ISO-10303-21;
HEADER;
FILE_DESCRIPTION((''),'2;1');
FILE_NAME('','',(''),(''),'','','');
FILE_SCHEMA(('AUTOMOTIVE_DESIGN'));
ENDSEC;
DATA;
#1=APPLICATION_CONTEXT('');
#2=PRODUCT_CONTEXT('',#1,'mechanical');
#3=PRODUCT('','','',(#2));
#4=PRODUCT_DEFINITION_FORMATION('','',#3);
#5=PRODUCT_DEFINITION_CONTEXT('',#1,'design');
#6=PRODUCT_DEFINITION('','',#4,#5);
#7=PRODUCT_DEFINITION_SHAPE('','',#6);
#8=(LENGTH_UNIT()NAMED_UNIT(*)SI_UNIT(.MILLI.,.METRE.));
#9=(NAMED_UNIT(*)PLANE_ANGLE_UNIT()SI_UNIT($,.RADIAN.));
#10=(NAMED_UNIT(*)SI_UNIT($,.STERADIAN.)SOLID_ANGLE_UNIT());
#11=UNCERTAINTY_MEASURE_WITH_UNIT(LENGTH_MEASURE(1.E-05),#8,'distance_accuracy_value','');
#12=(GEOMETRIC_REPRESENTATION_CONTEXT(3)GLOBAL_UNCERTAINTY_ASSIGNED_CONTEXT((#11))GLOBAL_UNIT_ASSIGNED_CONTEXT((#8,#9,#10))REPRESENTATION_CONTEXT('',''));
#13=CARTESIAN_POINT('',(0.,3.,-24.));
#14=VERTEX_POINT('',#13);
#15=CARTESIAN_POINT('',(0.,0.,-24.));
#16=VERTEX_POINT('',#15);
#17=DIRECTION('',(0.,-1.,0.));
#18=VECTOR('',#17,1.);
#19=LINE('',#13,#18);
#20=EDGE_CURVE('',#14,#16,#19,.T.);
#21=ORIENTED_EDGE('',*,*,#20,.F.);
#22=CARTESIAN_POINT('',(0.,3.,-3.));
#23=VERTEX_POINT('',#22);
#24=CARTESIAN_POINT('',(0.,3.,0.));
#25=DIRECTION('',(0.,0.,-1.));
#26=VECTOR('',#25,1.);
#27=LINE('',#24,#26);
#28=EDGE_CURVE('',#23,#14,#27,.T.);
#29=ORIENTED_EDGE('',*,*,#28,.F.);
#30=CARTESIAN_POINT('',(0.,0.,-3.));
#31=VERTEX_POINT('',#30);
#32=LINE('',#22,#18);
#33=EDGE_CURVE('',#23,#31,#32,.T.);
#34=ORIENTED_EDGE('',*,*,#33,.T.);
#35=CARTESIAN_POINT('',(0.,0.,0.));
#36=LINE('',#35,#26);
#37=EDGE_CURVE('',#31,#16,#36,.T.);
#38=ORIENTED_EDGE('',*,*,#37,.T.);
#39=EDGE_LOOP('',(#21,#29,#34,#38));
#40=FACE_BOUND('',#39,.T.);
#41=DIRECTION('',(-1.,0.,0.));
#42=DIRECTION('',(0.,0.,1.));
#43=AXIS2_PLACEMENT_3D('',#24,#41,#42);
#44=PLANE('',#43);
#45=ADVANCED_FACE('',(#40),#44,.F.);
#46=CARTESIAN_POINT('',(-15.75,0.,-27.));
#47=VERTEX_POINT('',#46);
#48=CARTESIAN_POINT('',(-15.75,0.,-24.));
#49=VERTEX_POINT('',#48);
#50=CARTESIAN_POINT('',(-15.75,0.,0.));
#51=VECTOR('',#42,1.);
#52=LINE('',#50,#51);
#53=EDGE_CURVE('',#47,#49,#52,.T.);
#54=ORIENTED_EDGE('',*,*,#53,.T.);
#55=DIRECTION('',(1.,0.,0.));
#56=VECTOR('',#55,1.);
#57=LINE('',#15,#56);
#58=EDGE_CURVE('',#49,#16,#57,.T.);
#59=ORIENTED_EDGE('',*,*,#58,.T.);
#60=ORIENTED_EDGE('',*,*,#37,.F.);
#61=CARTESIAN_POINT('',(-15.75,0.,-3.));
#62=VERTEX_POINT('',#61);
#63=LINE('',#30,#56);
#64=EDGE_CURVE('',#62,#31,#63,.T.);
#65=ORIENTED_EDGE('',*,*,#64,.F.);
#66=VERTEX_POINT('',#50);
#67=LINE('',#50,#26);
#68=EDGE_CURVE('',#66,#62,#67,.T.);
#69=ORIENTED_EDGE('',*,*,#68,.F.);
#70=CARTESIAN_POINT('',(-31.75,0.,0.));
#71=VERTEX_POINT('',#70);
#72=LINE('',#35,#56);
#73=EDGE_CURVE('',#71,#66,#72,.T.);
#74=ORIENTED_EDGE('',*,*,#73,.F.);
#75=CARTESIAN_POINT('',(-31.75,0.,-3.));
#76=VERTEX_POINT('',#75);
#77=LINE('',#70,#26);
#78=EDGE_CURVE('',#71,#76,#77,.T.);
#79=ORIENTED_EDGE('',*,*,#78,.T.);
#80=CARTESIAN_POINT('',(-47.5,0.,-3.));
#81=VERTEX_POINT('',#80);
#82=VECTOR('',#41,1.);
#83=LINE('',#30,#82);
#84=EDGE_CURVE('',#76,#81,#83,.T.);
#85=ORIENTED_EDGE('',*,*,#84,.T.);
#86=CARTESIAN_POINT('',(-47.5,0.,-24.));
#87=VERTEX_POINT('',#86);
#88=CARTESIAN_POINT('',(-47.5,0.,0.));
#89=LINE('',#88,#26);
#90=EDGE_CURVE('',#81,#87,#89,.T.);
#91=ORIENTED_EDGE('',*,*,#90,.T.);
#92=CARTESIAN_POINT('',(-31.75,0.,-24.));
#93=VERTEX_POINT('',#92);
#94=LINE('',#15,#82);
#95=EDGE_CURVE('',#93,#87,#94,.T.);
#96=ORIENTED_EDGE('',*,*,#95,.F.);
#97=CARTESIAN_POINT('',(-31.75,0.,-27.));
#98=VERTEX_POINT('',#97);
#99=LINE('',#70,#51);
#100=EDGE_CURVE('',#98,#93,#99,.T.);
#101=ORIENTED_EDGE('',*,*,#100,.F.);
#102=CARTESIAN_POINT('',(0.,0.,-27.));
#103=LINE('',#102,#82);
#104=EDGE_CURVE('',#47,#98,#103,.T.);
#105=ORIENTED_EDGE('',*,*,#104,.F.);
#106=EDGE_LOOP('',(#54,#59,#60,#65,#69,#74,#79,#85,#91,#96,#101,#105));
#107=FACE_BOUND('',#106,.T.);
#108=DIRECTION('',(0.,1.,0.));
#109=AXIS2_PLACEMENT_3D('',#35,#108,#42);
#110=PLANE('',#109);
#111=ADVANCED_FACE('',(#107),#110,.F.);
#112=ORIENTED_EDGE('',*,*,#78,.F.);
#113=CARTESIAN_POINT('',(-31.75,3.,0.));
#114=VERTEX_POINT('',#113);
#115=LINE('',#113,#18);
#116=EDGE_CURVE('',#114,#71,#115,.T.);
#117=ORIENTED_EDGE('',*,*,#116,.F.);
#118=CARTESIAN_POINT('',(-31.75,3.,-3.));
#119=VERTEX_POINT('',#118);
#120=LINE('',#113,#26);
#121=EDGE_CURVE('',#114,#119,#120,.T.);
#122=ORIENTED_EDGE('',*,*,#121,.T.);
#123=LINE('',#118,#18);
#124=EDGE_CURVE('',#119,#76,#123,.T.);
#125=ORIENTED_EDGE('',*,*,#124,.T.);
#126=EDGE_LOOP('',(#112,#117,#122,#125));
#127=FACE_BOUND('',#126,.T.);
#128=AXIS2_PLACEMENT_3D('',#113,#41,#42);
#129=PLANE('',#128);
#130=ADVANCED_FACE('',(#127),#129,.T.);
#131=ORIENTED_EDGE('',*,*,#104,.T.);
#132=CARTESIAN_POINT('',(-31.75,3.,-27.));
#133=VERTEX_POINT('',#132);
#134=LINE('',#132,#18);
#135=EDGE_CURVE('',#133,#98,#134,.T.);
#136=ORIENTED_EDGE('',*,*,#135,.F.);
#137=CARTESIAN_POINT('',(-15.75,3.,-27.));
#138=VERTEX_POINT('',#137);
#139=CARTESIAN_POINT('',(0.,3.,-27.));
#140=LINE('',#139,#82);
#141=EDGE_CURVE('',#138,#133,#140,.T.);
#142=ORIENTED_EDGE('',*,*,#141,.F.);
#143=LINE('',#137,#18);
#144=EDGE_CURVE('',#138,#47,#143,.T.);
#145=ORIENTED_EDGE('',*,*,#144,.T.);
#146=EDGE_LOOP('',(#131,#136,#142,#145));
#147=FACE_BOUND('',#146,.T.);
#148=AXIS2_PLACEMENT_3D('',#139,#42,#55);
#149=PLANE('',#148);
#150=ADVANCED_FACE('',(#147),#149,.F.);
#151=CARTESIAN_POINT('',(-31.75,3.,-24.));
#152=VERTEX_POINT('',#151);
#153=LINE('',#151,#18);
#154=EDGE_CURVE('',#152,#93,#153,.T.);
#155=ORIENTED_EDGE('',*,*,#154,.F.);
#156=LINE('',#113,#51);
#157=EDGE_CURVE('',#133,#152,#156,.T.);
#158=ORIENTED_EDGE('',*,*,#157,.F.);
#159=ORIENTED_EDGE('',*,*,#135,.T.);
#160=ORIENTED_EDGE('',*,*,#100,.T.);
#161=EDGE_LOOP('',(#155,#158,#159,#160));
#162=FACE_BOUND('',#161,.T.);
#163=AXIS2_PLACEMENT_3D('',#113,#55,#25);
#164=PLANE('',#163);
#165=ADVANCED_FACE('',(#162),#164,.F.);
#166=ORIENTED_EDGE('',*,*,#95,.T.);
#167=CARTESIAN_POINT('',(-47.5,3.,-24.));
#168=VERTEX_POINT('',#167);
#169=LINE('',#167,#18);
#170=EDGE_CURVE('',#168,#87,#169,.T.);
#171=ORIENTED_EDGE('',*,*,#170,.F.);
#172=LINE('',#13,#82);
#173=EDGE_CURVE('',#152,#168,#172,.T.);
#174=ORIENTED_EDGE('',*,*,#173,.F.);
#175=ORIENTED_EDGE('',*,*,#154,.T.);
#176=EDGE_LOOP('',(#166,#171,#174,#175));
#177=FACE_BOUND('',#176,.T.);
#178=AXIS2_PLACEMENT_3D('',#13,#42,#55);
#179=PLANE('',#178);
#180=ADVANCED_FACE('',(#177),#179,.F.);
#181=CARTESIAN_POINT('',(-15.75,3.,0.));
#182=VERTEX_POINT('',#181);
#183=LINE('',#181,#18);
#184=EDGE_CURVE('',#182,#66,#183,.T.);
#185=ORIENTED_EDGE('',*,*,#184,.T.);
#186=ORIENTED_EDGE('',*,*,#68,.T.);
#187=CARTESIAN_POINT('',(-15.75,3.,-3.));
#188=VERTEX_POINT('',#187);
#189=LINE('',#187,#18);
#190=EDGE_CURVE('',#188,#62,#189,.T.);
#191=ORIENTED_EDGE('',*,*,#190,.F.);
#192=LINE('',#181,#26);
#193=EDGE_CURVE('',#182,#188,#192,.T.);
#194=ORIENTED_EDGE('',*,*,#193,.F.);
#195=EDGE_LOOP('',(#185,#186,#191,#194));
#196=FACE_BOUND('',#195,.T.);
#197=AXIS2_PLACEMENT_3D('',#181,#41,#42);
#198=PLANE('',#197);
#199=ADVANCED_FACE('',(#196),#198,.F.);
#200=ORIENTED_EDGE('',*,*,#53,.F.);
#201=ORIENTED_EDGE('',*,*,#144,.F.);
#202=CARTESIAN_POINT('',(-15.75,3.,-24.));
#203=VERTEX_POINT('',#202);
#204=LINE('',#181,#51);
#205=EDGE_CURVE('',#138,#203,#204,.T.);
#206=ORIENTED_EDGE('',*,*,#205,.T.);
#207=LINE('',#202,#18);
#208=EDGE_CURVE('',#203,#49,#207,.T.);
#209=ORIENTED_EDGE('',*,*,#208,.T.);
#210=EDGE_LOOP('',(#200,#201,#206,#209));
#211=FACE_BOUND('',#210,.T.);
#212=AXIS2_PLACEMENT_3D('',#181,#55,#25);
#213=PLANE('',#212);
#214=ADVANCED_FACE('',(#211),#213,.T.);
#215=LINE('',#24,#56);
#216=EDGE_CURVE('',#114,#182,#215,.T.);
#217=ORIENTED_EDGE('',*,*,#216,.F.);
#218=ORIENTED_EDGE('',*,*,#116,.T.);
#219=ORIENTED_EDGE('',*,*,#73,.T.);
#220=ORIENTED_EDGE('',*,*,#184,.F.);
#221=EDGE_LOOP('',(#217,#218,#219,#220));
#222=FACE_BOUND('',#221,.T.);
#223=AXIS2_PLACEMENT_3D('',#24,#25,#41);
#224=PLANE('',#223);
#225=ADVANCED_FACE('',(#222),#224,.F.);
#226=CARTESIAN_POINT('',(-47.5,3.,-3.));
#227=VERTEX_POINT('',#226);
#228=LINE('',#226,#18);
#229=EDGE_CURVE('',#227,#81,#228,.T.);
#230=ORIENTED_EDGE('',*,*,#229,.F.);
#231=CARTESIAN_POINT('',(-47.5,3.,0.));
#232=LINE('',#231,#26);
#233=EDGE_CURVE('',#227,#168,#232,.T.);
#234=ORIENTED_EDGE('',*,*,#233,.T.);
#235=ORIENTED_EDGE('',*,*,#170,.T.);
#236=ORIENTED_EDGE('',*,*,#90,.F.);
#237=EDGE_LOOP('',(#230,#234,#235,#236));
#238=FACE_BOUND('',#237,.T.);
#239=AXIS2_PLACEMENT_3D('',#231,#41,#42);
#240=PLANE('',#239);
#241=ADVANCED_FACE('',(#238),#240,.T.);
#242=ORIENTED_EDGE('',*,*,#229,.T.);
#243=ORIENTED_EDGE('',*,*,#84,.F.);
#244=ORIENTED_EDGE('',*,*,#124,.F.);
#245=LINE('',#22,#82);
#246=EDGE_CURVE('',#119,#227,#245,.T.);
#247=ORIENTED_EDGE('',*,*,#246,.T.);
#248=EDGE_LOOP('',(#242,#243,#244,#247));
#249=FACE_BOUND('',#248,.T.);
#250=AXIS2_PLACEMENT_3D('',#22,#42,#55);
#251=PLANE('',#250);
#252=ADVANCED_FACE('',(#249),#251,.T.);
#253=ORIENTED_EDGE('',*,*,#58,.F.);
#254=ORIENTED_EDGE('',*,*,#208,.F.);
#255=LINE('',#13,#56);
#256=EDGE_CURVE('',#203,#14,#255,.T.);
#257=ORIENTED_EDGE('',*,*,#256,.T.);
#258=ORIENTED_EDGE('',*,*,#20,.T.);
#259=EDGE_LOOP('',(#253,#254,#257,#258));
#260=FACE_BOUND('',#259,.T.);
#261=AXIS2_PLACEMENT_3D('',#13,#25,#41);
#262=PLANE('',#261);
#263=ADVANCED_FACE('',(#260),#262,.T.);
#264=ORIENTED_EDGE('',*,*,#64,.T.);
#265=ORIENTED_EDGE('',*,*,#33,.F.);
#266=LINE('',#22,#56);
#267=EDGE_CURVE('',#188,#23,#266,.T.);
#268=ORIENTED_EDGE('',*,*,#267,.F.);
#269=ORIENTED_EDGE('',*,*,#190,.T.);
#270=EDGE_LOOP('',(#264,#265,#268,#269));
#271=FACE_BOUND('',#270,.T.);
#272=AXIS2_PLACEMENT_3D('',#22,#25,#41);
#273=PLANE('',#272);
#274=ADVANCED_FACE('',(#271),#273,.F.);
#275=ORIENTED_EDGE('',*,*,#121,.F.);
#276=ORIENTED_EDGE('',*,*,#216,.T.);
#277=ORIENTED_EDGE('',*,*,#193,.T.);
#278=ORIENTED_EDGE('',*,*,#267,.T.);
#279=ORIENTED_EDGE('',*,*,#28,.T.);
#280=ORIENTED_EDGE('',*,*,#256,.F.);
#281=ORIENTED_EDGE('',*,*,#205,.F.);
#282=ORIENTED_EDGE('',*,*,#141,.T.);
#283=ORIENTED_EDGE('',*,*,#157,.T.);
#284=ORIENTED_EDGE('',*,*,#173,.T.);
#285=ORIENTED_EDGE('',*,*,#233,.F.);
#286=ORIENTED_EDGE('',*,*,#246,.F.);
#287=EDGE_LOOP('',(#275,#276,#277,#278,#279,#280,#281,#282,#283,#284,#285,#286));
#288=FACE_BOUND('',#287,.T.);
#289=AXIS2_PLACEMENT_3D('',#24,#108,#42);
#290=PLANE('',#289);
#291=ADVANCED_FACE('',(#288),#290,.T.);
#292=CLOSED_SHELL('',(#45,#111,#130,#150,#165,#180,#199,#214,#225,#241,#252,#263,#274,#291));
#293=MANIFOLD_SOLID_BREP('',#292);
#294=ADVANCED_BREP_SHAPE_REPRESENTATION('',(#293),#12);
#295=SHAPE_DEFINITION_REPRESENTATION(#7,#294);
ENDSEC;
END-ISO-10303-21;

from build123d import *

# Parameters (mm, degrees)
SALIENTE_EXTRUIR1_DEPTH = 3


with BuildPart() as part:
    # Croquis1 → Saliente-Extruir1 (new body)
    with BuildSketch(Plane(origin=(0, 0, 0), x_dir=(1, 0, 0), z_dir=(0, 1, 0))):
        Polygon((-31.75, 0), (-31.75, 3), (-47.5, 3), (-47.5, 24), (-31.75, 24), (-31.75, 27), (-15.75, 27), (-15.75, 24), (0, 24), (0, 3), (-15.75, 3), (-15.75, 0), align=None)
    extrude(amount=SALIENTE_EXTRUIR1_DEPTH)


solid = part.part
